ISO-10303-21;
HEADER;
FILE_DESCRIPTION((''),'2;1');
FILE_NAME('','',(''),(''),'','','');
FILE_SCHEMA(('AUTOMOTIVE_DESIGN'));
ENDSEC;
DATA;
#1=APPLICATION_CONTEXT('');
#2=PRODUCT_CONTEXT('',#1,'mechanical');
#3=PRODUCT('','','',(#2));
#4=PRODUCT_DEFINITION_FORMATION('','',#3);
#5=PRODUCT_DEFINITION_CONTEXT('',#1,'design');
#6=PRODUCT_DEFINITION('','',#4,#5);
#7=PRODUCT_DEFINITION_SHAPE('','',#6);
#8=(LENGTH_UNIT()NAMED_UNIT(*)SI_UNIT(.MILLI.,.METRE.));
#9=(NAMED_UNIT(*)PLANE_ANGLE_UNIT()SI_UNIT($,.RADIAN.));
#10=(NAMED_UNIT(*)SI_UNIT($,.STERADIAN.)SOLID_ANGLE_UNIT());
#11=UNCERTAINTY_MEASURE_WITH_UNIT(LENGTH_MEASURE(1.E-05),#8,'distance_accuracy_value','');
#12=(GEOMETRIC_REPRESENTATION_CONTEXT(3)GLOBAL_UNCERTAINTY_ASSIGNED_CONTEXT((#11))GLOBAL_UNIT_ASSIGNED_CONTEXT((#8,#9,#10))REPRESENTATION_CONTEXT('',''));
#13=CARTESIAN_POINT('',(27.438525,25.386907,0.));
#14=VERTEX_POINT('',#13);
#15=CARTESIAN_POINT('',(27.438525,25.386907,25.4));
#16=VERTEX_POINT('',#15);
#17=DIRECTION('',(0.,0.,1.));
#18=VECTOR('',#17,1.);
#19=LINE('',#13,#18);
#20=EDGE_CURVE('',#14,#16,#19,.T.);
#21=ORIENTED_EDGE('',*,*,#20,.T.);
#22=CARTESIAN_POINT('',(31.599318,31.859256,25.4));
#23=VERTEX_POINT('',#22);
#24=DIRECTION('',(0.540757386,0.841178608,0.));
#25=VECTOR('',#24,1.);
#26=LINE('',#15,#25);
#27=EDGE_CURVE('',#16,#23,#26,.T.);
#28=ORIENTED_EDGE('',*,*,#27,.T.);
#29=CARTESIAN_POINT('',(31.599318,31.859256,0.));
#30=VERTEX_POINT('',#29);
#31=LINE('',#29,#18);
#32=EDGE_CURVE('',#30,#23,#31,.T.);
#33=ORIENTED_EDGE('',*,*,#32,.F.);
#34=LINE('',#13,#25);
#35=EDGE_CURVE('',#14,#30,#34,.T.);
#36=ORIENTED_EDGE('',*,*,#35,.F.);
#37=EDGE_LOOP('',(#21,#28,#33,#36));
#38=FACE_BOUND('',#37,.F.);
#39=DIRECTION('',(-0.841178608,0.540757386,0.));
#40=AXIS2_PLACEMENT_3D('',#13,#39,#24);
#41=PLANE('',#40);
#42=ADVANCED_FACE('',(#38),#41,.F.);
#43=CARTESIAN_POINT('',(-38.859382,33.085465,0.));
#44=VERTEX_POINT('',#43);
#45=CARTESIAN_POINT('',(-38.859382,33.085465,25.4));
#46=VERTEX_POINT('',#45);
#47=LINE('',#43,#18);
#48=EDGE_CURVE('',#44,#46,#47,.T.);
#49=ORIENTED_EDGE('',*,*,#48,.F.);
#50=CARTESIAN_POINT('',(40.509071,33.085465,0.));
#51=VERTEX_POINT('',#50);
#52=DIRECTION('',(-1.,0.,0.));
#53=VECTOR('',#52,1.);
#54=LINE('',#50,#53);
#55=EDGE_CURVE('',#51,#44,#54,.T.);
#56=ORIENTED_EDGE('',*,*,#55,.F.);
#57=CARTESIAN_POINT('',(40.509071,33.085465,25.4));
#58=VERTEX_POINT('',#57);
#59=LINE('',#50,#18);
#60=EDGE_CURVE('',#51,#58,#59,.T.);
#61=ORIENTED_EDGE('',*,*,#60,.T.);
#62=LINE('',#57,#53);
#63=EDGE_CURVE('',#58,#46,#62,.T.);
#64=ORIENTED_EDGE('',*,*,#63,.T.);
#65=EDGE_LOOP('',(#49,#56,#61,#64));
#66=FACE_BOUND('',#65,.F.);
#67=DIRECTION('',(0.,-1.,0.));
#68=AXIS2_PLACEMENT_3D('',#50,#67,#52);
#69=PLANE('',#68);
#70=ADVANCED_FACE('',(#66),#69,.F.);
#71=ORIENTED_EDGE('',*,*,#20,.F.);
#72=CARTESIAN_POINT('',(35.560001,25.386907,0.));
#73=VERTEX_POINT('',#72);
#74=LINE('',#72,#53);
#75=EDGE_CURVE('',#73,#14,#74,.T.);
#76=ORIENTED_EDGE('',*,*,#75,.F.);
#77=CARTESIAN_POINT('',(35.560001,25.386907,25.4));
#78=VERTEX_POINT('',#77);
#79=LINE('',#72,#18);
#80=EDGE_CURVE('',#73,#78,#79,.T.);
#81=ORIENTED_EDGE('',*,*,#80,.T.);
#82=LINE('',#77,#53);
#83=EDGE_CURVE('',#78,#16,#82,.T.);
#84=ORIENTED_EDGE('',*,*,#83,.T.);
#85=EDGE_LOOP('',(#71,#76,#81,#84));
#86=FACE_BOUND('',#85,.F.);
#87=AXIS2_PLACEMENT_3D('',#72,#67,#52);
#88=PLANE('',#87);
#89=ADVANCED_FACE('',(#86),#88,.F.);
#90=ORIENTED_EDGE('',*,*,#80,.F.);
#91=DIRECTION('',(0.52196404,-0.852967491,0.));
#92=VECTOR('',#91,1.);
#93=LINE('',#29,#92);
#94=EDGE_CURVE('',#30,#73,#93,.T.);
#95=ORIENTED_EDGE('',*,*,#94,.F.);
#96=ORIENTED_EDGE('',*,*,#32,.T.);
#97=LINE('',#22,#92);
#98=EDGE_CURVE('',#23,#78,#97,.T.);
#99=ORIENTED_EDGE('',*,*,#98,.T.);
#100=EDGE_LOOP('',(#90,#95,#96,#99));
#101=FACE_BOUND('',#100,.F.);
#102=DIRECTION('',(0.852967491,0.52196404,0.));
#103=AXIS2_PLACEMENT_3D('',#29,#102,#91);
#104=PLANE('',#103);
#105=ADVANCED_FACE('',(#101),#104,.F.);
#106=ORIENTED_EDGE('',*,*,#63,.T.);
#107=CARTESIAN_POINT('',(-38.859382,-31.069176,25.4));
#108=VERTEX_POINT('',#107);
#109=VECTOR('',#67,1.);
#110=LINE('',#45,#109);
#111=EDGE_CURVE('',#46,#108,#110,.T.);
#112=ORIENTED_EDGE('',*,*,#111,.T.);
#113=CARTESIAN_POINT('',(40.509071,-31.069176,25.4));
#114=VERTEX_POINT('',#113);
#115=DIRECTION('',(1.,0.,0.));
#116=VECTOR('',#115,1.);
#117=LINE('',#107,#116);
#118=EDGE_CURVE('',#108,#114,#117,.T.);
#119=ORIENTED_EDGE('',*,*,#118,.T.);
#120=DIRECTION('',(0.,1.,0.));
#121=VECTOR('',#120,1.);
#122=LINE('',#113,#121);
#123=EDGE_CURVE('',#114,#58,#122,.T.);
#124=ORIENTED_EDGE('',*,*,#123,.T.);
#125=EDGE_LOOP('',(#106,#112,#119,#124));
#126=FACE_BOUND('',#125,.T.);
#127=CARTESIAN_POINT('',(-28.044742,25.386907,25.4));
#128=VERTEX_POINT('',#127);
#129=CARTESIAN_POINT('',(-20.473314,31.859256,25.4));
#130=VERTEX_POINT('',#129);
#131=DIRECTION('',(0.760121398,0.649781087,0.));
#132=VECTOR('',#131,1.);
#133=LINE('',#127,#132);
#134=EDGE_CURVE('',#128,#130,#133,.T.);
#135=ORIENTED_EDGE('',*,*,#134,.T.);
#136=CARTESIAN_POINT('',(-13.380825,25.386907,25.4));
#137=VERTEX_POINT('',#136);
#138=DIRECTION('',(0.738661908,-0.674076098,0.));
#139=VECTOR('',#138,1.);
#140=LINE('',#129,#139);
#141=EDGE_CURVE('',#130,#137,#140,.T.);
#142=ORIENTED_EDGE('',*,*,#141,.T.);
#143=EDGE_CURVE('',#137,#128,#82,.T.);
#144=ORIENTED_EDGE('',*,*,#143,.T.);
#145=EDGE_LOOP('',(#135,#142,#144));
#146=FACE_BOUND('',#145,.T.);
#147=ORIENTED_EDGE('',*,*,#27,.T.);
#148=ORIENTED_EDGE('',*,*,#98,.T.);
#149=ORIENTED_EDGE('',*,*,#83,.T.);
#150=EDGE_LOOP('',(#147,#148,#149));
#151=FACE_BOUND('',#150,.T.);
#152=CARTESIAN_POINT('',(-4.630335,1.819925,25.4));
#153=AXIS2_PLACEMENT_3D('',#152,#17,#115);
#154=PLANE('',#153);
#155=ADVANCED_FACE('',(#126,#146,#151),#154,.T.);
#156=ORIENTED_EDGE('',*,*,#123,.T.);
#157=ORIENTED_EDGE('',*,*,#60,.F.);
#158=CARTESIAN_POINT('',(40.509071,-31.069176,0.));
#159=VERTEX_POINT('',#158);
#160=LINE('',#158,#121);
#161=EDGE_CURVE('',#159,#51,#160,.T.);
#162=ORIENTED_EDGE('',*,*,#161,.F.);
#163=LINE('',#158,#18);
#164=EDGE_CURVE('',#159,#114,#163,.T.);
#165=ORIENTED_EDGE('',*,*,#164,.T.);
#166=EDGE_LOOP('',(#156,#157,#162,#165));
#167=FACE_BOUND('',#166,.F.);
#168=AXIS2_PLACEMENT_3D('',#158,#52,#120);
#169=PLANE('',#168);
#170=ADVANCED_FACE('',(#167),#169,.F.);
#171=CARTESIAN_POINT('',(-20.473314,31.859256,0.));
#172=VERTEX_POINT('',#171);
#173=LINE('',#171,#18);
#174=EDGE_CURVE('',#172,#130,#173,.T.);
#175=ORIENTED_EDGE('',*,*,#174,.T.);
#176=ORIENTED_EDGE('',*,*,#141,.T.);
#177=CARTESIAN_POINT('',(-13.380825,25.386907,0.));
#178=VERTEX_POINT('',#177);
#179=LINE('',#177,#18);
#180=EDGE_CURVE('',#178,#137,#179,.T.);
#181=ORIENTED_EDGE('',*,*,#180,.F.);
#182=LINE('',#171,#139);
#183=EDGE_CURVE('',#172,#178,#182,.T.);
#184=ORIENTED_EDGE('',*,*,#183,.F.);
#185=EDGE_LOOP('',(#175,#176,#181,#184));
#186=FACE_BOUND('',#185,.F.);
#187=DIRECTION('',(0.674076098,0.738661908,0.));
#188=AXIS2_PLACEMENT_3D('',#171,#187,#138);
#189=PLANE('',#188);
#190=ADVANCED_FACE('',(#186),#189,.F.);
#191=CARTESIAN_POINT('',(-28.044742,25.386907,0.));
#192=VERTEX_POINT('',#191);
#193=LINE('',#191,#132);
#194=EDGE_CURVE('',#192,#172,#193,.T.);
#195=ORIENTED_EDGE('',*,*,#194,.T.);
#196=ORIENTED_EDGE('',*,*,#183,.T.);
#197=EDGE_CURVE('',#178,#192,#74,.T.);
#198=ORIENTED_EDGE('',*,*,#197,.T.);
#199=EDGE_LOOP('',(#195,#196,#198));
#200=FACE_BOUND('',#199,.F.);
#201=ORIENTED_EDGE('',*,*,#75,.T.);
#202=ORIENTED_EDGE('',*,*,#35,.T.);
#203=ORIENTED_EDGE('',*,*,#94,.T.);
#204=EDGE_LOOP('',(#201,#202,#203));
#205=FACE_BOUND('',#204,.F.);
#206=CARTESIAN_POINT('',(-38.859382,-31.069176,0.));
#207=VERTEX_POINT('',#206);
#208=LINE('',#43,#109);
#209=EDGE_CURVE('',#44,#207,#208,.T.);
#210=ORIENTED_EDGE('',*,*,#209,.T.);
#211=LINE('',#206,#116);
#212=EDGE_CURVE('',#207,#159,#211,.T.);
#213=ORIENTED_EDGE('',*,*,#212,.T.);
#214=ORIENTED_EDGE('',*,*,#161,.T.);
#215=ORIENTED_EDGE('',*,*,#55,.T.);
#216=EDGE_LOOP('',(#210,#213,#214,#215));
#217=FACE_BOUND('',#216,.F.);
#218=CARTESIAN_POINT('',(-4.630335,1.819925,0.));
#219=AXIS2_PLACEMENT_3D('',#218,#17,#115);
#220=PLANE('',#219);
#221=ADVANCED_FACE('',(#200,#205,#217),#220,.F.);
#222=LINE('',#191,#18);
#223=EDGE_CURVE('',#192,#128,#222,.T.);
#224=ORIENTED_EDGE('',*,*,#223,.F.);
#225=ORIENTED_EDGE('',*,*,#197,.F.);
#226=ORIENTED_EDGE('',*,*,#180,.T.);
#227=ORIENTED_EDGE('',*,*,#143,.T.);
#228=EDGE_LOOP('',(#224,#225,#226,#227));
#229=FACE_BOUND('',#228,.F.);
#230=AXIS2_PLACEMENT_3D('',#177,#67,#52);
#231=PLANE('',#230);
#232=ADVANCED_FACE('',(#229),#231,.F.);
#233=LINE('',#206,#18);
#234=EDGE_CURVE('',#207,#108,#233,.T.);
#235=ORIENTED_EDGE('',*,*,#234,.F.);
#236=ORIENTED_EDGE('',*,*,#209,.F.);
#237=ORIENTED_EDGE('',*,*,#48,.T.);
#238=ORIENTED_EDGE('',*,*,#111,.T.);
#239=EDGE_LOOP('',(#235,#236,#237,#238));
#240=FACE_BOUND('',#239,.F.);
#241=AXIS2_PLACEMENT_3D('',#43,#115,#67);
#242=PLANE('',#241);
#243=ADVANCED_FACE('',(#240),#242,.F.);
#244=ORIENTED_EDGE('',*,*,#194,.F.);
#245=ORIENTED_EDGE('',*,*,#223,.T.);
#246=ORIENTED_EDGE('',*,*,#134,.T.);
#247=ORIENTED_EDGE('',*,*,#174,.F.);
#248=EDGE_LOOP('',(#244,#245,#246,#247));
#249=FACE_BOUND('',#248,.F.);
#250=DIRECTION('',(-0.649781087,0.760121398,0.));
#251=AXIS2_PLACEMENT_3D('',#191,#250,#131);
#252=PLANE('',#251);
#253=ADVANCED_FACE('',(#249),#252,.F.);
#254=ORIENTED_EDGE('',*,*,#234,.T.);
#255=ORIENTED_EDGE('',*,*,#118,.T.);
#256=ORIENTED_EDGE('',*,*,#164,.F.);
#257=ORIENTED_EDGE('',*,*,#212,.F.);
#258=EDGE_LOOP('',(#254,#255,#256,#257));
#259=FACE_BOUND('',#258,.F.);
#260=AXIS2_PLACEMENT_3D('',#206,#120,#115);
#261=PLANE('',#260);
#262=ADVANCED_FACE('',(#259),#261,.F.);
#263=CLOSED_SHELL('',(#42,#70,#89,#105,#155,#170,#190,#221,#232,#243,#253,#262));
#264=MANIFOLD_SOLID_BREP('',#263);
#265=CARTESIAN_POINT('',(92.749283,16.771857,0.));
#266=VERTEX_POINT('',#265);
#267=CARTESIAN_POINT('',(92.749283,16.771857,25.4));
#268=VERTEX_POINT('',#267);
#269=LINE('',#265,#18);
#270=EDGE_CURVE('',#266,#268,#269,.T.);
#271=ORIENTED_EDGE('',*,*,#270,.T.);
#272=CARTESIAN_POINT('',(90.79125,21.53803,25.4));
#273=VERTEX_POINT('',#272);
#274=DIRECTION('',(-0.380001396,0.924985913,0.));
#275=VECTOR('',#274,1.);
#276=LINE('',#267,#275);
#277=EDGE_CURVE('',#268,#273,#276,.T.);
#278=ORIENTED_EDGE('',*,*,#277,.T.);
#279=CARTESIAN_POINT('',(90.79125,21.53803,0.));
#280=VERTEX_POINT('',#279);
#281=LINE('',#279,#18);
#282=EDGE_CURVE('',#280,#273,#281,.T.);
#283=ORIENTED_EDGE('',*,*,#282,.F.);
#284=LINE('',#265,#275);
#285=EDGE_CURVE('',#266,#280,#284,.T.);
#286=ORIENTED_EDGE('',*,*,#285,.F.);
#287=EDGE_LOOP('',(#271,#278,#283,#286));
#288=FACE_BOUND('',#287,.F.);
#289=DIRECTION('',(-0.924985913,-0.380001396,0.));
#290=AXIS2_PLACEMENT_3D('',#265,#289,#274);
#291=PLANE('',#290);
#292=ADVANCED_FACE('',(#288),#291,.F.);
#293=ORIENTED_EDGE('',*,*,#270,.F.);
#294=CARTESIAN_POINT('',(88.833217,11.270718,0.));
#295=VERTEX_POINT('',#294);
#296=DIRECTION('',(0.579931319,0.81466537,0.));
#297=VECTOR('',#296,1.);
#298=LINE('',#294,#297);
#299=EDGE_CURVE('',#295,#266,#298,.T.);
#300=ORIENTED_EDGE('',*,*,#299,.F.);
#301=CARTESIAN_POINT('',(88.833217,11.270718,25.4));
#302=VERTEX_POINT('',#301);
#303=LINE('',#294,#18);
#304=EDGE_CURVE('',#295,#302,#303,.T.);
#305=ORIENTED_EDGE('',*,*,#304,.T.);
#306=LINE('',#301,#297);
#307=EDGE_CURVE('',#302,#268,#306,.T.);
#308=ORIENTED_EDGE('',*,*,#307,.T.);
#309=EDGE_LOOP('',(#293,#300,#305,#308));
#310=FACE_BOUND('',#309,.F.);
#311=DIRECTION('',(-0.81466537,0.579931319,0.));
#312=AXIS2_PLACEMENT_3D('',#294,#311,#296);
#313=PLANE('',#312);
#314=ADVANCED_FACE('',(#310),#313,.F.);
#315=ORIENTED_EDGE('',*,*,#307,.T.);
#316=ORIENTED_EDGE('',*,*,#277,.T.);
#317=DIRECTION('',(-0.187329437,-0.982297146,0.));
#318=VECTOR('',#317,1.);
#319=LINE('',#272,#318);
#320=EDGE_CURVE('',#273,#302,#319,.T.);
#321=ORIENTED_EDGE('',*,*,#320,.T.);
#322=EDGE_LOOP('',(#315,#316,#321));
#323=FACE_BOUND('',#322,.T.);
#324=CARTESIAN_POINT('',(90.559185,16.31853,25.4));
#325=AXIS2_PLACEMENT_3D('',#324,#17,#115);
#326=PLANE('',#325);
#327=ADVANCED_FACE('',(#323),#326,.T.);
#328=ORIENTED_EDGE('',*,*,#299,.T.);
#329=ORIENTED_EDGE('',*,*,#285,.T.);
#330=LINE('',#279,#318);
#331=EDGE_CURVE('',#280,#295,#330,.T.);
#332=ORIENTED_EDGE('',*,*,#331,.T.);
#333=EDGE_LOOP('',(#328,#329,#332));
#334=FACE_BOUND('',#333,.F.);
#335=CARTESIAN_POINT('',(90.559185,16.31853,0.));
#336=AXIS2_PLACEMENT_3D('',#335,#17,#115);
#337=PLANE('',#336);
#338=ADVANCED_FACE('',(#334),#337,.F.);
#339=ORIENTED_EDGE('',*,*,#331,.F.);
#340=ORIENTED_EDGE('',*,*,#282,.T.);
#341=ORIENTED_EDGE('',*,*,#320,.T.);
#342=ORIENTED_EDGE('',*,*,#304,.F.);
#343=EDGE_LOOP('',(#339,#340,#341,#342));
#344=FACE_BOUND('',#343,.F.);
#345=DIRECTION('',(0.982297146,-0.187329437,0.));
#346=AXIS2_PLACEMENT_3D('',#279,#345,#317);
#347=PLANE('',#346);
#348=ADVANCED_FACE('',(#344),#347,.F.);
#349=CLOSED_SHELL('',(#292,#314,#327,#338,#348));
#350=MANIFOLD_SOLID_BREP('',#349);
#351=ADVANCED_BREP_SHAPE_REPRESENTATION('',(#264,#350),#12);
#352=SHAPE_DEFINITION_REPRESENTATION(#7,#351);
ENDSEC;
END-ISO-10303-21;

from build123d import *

# Parameters (mm, degrees)
F1_DEPTH = 25.4


with BuildPart() as f1:
    # F0 (on Top) → F1 (new body)
    with BuildSketch(Plane.XY):
        Polygon((-13.3808245882, 25.3869071603), (-28.0447416008, 25.3869071603), (-38.8593822718, 33.0854654312), (-38.8593822718, -29.9723377901), (-28.7779383361, -21.3543307036), (-11.3645363599, -21.3543307036), (3.8557415342, -21.3543307036), (19.0760194284, -21.3543307036), (35.5600006878, -21.3543307036), (35.5600006878, 25.3869071603), (27.4385251191, 25.3869071603), (13.8320752167, 25.3869071603), (0.2256253142, 25.3869071603), align=None)
        Polygon((-38.8593822718, 33.0854654312), (-28.0447416008, 25.3869071603), (-20.4733136729, 31.8592557597), (-21.5215249913, 33.0854654312), align=None)
        Polygon((-6.3553992055, 33.0854654312), (-13.3808245882, 25.3869071603), (0.2256253142, 25.3869071603), align=None)
        Polygon((-20.4733136729, 31.8592557597), (-13.3808245882, 25.3869071603), (-6.3553992055, 33.0854654312), (-21.5215249913, 33.0854654312), align=None)
        Polygon((7.2510506969, 33.0854654312), (0.2256253142, 25.3869071603), (13.8320752167, 25.3869071603), align=None)
        Polygon((-6.3553992055, 33.0854654312), (0.2256253142, 25.3869071603), (7.2510506969, 33.0854654312), align=None)
        Polygon((-28.7779383361, -21.3543307036), (-38.8593822718, -29.9723377901), (-38.8593822718, -31.0691762716), (-20.4733136729, -31.0691762716), align=None)
        Polygon((20.8575005994, 33.0854654312), (13.8320752167, 25.3869071603), (27.4385251191, 25.3869071603), align=None)
        Polygon((7.2510506969, 33.0854654312), (13.8320752167, 25.3869071603), (20.8575005994, 33.0854654312), align=None)
        Polygon((-11.3645363599, -21.3543307036), (-28.7779383361, -21.3543307036), (-20.4733136729, -31.0691762716), align=None)
        Polygon((20.8575005994, 33.0854654312), (27.4385251191, 25.3869071603), (31.5993184102, 31.8592557597), (31.5993184102, 33.0854654312), align=None)
        Polygon((-11.3645363599, -21.3543307036), (-20.4733136729, -31.0691762716), (-3.0599116967, -31.0691762716), align=None)
        Polygon((3.8557415342, -21.3543307036), (-11.3645363599, -21.3543307036), (-3.0599116967, -31.0691762716), align=None)
        Polygon((40.5090712011, 33.0854654312), (35.5600006878, 25.3869071603), (35.5600006878, -21.3543307036), (40.5090712011, -31.0691762716), align=None)
        Polygon((31.5993184102, 31.8592557597), (35.5600006878, 25.3869071603), (40.5090712011, 33.0854654312), (31.5993184102, 33.0854654312), align=None)
        Polygon((3.8557415342, -21.3543307036), (-3.0599116967, -31.0691762716), (12.1603661974, -31.0691762716), align=None)
        Polygon((19.0760194284, -21.3543307036), (3.8557415342, -21.3543307036), (12.1603661974, -31.0691762716), align=None)
        Polygon((25.8451569825, -31.0691762716), (35.5600006878, -21.3543307036), (19.0760194284, -21.3543307036), align=None)
        Polygon((40.5090712011, -31.0691762716), (35.5600006878, -21.3543307036), (25.8451569825, -31.0691762716), align=None)
        Polygon((19.0760194284, -21.3543307036), (12.1603661974, -31.0691762716), (25.8451569825, -31.0691762716), align=None)
    extrude(amount=F1_DEPTH)


with BuildPart() as f1b:
    # F0 (on Top) → F1, piece 2 (new body)
    with BuildSketch(Plane.XY):
        Polygon((88.8332173564, 11.2707176203), (92.7492827177, 16.7718566954), (90.7912500371, 21.5380303562), align=None)
    extrude(amount=F1_DEPTH)


solid = Compound([f1.part, f1b.part])
